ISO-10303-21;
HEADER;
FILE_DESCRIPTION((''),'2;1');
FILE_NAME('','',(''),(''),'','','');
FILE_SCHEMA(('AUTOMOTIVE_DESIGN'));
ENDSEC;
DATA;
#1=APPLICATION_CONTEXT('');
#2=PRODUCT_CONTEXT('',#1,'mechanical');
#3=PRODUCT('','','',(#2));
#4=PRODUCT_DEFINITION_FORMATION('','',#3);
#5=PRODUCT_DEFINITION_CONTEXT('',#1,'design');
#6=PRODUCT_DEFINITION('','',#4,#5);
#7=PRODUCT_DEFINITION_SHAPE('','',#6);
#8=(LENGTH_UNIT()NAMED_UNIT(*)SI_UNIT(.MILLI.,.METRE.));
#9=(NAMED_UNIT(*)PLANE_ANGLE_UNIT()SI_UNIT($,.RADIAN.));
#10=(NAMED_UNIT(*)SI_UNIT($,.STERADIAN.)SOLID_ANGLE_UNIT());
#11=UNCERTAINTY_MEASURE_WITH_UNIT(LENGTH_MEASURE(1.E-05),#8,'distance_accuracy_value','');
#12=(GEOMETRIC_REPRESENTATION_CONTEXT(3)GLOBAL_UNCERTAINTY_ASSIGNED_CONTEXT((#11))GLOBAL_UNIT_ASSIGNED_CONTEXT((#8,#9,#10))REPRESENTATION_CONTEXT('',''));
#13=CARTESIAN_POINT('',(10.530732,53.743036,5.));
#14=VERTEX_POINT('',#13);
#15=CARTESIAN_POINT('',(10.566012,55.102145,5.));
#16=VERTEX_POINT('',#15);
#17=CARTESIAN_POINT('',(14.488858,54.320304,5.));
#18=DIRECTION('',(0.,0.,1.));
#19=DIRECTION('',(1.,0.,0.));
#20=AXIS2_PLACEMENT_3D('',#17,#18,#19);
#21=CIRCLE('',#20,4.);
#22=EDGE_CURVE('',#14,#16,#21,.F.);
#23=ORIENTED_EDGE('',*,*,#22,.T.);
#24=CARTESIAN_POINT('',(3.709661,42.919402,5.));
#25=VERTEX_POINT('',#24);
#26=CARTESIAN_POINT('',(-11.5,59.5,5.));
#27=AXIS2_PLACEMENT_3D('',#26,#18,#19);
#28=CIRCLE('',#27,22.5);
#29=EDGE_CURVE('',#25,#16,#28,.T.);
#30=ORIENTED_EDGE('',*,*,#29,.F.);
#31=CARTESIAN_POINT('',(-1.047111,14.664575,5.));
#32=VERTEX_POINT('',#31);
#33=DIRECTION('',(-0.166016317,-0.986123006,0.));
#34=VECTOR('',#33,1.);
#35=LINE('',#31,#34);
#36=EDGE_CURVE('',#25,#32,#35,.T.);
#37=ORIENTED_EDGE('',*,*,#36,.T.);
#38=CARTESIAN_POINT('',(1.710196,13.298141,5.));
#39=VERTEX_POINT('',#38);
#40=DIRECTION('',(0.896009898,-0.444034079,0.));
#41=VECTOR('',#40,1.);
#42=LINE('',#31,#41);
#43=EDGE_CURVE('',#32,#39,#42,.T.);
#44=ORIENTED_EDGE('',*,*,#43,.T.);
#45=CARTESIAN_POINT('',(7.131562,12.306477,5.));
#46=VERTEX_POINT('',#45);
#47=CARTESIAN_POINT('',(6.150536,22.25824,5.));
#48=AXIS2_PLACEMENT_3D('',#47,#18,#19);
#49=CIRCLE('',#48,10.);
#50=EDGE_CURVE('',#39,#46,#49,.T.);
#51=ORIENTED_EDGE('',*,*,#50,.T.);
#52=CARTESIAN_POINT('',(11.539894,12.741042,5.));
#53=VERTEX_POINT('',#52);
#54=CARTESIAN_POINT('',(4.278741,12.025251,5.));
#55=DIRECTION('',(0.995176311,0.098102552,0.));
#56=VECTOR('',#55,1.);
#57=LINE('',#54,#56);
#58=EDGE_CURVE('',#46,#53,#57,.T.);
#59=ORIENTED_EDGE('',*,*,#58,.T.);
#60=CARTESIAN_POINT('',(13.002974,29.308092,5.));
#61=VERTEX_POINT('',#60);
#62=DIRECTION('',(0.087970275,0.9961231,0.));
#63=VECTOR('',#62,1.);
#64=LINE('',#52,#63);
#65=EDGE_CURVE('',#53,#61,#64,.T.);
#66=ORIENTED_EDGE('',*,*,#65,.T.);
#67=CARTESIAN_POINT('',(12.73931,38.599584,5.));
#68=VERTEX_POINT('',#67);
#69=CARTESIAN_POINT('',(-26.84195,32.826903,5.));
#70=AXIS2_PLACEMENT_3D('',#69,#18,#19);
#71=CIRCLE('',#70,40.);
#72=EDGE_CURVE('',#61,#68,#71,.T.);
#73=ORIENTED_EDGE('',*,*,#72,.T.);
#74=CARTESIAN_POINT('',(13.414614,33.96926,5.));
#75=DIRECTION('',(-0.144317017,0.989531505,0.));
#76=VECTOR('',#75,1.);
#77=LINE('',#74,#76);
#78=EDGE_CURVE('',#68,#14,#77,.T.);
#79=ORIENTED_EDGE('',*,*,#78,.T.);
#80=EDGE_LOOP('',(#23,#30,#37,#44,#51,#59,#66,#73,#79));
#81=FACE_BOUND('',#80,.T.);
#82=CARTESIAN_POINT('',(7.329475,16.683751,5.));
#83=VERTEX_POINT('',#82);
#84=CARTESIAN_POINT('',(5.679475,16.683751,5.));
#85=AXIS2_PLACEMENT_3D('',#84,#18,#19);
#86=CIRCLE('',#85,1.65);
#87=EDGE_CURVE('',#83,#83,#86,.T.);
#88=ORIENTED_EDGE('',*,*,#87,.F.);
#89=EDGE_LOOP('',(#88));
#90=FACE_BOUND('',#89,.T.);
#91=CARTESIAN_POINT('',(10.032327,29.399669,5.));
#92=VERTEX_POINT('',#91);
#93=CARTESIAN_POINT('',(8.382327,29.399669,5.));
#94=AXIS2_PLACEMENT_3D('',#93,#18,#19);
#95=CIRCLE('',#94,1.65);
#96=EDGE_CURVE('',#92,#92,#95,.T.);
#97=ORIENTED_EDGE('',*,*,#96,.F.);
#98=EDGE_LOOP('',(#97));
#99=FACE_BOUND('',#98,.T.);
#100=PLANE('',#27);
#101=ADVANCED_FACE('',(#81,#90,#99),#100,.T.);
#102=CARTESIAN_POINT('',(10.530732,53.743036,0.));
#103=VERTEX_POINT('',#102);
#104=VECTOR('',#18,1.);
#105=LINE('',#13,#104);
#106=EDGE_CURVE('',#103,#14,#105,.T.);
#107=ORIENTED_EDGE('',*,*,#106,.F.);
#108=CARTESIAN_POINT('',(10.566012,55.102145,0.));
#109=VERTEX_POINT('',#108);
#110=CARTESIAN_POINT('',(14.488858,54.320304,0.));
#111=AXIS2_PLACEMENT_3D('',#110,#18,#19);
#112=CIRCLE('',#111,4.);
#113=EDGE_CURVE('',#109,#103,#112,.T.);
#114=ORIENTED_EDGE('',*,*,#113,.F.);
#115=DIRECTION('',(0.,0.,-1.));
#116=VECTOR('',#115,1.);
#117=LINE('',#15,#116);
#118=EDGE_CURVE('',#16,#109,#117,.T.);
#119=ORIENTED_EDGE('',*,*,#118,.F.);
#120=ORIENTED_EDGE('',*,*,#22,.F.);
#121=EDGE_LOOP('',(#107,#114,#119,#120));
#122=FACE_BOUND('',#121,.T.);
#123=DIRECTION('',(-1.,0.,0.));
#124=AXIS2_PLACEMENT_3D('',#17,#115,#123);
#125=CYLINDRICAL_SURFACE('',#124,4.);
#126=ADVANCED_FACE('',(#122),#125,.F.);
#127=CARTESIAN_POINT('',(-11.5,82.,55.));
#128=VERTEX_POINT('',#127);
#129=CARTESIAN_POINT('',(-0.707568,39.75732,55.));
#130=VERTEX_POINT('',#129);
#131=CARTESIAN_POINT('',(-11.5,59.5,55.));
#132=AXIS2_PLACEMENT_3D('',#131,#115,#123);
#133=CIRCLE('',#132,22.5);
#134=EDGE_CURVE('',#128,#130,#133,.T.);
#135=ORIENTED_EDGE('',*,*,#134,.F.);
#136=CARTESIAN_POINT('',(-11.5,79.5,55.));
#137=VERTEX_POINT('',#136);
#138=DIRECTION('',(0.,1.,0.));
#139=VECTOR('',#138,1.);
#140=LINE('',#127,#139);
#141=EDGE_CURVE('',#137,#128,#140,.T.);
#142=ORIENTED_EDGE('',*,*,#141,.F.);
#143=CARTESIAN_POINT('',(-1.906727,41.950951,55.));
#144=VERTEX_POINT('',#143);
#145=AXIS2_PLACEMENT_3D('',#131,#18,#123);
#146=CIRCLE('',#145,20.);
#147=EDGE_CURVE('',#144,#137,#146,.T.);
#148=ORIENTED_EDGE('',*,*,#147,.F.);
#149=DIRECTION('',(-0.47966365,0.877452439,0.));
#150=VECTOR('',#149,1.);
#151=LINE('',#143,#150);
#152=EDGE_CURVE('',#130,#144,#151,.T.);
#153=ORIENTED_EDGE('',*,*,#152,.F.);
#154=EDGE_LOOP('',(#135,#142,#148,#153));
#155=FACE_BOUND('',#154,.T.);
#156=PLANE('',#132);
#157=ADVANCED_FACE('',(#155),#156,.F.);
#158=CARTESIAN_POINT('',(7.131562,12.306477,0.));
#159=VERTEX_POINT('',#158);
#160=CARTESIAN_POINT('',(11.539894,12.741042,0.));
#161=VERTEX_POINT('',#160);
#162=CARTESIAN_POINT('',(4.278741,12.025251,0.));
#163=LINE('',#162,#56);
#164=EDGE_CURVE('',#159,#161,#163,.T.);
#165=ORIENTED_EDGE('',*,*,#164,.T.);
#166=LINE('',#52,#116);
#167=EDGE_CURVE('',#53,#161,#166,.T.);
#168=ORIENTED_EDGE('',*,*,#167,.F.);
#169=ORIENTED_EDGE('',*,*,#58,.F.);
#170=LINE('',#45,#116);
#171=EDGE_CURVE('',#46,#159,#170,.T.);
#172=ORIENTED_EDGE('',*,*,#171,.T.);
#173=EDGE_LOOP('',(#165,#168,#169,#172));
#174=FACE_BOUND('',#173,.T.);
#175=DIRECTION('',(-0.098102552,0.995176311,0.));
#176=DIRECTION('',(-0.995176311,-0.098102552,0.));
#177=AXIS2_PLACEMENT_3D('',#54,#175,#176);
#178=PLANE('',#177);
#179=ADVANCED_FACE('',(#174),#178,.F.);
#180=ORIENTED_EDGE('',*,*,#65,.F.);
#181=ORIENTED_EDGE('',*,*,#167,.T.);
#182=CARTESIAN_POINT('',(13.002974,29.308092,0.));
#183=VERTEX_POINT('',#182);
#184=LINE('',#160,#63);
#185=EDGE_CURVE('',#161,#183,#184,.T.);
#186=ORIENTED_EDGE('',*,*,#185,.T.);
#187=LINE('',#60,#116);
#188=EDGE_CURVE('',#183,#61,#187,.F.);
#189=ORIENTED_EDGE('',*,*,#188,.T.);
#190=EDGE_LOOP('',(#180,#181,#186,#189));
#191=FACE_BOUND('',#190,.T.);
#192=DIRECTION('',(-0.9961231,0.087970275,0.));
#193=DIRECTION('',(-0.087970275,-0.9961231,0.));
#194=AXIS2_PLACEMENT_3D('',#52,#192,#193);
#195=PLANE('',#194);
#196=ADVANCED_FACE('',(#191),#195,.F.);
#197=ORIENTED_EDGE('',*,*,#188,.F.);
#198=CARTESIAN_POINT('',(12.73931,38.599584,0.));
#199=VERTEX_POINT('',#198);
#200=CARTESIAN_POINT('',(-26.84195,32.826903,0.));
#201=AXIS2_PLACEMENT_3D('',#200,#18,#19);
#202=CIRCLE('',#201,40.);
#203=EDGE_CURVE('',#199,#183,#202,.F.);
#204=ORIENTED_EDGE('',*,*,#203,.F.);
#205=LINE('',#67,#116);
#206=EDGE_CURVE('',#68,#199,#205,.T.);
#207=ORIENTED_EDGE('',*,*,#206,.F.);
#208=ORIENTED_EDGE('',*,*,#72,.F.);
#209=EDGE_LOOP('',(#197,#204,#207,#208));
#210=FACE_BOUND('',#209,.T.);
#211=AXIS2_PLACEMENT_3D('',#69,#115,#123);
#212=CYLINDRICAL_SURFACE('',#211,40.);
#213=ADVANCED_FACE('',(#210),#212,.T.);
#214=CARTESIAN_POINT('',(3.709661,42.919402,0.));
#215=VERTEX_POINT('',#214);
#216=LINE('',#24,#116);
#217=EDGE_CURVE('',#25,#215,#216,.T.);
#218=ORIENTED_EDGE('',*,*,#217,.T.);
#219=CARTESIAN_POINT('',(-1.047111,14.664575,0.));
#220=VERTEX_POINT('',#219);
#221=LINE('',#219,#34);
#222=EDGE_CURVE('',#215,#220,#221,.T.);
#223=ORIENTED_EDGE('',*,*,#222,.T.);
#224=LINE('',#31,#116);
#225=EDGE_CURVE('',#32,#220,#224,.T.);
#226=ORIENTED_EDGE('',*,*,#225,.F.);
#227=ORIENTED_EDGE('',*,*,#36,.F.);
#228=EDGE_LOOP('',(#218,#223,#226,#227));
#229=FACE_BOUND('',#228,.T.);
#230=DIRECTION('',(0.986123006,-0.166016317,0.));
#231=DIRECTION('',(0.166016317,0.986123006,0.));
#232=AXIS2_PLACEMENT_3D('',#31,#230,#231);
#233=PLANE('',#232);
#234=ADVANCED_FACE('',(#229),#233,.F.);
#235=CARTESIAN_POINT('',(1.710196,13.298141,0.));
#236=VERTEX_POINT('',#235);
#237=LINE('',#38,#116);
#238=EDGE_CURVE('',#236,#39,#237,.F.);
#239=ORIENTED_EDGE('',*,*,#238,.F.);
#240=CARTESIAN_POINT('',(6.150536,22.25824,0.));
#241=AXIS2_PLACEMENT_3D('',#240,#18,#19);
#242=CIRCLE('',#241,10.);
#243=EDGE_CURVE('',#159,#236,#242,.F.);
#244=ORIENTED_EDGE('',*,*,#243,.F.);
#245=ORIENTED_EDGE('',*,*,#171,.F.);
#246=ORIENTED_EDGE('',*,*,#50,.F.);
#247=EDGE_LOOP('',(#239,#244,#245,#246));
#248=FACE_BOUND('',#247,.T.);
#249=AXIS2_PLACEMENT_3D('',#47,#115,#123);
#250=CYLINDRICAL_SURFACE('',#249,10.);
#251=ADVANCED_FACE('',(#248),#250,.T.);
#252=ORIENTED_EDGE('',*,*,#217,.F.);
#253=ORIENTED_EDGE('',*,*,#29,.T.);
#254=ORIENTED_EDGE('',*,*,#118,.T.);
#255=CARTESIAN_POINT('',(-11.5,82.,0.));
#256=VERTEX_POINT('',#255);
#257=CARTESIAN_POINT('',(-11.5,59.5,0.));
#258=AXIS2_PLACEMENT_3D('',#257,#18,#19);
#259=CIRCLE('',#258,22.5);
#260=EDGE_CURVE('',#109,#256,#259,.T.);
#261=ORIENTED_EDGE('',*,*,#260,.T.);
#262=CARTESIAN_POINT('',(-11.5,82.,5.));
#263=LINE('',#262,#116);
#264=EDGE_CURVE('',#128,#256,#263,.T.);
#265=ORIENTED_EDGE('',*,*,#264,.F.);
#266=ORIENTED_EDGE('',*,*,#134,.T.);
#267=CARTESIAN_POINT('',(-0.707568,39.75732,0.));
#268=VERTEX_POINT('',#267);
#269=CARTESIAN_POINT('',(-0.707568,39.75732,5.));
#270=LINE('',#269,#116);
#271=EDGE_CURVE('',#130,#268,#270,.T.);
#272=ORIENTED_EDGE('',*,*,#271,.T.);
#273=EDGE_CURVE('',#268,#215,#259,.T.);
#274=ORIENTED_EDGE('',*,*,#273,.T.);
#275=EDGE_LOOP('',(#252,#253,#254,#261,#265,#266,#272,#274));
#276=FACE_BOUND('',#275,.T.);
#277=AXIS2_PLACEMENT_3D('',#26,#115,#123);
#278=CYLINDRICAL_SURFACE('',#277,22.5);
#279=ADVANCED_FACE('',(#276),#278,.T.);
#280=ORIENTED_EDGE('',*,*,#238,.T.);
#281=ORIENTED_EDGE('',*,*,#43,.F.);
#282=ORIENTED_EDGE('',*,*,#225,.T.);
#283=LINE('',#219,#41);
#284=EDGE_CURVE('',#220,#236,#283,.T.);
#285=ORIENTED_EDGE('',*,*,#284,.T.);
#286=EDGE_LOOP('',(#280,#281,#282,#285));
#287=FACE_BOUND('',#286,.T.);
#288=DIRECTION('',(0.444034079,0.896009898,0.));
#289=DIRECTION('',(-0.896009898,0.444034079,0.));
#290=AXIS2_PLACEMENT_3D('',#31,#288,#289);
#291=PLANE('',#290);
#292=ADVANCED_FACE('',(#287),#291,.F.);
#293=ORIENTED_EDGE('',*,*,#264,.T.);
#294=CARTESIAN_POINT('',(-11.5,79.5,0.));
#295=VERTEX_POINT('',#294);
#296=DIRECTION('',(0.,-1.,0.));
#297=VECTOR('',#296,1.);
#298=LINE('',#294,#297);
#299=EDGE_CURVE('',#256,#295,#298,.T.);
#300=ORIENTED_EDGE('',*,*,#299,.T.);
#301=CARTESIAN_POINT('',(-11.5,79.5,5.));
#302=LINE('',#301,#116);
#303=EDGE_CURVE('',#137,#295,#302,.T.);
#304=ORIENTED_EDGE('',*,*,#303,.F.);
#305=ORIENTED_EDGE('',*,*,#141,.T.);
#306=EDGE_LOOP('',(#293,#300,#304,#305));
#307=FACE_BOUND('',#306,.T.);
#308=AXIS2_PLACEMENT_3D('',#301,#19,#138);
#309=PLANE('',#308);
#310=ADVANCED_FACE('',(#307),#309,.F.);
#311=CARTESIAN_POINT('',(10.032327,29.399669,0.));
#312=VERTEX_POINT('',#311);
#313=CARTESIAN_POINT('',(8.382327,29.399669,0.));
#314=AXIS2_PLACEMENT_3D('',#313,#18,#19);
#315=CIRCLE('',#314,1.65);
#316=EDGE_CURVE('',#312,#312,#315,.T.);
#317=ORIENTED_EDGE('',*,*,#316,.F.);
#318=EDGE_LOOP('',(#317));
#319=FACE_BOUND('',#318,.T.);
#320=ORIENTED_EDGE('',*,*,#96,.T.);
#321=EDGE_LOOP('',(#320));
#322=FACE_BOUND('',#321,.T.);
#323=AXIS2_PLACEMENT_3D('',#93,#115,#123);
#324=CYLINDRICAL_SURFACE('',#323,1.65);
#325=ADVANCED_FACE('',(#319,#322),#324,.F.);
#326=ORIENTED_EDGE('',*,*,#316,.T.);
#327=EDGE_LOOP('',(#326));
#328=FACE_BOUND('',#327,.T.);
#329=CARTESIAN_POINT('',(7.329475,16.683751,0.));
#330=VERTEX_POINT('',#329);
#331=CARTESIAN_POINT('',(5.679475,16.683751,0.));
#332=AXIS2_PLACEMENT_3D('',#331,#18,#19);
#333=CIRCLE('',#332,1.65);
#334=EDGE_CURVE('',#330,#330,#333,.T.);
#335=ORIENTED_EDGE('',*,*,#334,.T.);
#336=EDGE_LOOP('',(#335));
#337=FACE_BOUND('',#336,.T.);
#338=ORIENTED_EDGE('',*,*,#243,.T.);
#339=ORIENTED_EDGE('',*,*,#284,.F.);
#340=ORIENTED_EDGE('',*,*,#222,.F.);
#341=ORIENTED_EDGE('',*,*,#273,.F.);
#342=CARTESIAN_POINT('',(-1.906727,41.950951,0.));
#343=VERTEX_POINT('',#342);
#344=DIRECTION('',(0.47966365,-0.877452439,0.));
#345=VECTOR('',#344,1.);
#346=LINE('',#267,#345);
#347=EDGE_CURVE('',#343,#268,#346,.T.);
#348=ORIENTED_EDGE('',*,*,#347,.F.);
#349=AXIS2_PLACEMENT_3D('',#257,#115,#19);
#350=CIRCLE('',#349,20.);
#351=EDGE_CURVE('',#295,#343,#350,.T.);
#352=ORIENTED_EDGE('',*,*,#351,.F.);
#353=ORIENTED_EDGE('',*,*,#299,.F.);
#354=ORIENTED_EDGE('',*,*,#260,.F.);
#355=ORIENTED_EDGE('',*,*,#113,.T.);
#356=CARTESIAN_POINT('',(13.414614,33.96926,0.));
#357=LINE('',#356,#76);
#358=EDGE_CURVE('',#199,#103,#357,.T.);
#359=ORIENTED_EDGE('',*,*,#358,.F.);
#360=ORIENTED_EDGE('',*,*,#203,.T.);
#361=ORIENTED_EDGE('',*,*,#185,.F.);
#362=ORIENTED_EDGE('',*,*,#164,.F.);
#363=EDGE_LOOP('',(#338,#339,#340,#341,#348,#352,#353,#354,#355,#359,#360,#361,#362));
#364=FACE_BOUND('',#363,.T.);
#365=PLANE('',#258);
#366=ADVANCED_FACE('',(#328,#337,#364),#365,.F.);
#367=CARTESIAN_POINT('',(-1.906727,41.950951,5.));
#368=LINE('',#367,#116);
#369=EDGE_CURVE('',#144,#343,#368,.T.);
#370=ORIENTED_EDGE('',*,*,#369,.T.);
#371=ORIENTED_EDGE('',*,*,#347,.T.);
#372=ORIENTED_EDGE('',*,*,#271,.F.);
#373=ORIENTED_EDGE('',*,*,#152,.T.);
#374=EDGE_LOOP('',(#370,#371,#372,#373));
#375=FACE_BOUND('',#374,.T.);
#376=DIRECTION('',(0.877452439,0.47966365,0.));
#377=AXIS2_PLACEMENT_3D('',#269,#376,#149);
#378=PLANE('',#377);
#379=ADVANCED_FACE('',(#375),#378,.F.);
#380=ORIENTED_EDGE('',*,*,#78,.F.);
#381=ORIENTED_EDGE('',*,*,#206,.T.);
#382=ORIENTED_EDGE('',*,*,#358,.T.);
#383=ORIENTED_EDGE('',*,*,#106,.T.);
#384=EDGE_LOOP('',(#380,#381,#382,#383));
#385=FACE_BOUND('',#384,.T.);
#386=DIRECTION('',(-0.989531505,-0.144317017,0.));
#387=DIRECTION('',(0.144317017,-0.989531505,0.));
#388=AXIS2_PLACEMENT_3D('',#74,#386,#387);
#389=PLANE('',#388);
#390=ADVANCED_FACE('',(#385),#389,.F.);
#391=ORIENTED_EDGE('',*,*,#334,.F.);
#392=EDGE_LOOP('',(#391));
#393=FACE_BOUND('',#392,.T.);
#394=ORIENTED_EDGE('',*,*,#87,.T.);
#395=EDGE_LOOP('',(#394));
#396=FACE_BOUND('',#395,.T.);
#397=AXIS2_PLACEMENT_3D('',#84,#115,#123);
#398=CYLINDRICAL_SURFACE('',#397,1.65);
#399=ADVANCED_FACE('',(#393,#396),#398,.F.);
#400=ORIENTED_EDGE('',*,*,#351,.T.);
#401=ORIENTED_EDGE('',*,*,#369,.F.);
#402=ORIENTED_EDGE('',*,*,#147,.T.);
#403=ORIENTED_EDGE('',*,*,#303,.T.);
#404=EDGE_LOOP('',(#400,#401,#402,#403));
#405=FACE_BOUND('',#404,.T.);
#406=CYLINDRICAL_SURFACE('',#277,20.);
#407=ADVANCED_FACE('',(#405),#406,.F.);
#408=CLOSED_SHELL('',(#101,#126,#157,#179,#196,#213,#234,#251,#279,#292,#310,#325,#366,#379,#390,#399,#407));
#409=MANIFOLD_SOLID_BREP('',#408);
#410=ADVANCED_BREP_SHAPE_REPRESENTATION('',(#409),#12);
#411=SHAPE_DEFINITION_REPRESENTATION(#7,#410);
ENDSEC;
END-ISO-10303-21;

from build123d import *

# Parameters (mm, degrees)
SKETCH_1_R      = 1.65
EXTRUDE_1_DEPTH = 5
FILLET_2_R      = 4
FILLET_3_R      = 40
FILLET_4_R      = 10
EXTRUDE_2_DEPTH = 55


with BuildPart() as part:
    # 草图1 → 凸台-拉伸1 (new body)
    with BuildSketch(Plane.XY):
        with BuildLine():
            Line((-11.5, 79.5), (-11.5, 82))
            ThreePointArc((-11.5, 82), (6.103622298, 73.512939805), (10.426977744, 54.454442843))
            Line((10.426977744, 54.454442843), (13.41461423, 33.96926032))
            Line((13.41461423, 33.96926032), (11.539893904, 12.741041785))
            Line((11.539893904, 12.741041785), (4.278741136, 12.025251419))
            Line((4.278741136, 12.025251419), (-1.047111461, 14.664575003))
            Line((-1.047111461, 14.664575003), (3.709660575, 42.919402146))
            ThreePointArc((3.709660575, 42.919402146), (1.596827744, 41.204560595), (-0.707567867, 39.757320125))
            Line((-0.707567867, 39.757320125), (-1.906726993, 41.950951222))
            ThreePointArc((-1.906726993, 41.950951222), (7.877576933, 64.450708254), (-11.5, 79.5))
        make_face()
        with Locations((5.679475492, 16.683750627)):
            Circle(SKETCH_1_R, mode=Mode.SUBTRACT)
        with Locations((8.382327473, 29.399669437)):
            Circle(SKETCH_1_R, mode=Mode.SUBTRACT)
    extrude(amount=EXTRUDE_1_DEPTH)

    # 圆角2
    fillet_2_edges = [part.edges().sort_by_distance(p)[0] for p in [
        (10.426977744, 54.454442843, 2.5),
    ]]
    fillet(fillet_2_edges, radius=FILLET_2_R)

    # 圆角3
    fillet_3_edges = [part.edges().sort_by_distance(p)[0] for p in [
        (13.41461423, 33.96926032, 2.5),
    ]]
    fillet(fillet_3_edges, radius=FILLET_3_R)

    # 圆角4
    fillet_4_edges = [part.edges().sort_by_distance(p)[0] for p in [
        (4.278741136, 12.025251419, 2.5),
    ]]
    fillet(fillet_4_edges, radius=FILLET_4_R)

    # 草图2 → 凸台-拉伸2 (add)
    with BuildSketch(Plane(origin=(0, 0, 0), x_dir=(-1, 0, 0), z_dir=(0, 0, -1))):
        with BuildLine():
            Line((11.5, 82), (11.5, 79.5))
            ThreePointArc((11.5, 79.5), (-7.877576933, 64.450708254), (1.906726993, 41.950951222))
            Line((1.906726993, 41.950951222), (0.707567867, 39.757320125))
            ThreePointArc((0.707567867, 39.757320125), (-10.299774049, 65.069546786), (11.5, 82))
        make_face()
    extrude(amount=-EXTRUDE_2_DEPTH)


solid = part.part
